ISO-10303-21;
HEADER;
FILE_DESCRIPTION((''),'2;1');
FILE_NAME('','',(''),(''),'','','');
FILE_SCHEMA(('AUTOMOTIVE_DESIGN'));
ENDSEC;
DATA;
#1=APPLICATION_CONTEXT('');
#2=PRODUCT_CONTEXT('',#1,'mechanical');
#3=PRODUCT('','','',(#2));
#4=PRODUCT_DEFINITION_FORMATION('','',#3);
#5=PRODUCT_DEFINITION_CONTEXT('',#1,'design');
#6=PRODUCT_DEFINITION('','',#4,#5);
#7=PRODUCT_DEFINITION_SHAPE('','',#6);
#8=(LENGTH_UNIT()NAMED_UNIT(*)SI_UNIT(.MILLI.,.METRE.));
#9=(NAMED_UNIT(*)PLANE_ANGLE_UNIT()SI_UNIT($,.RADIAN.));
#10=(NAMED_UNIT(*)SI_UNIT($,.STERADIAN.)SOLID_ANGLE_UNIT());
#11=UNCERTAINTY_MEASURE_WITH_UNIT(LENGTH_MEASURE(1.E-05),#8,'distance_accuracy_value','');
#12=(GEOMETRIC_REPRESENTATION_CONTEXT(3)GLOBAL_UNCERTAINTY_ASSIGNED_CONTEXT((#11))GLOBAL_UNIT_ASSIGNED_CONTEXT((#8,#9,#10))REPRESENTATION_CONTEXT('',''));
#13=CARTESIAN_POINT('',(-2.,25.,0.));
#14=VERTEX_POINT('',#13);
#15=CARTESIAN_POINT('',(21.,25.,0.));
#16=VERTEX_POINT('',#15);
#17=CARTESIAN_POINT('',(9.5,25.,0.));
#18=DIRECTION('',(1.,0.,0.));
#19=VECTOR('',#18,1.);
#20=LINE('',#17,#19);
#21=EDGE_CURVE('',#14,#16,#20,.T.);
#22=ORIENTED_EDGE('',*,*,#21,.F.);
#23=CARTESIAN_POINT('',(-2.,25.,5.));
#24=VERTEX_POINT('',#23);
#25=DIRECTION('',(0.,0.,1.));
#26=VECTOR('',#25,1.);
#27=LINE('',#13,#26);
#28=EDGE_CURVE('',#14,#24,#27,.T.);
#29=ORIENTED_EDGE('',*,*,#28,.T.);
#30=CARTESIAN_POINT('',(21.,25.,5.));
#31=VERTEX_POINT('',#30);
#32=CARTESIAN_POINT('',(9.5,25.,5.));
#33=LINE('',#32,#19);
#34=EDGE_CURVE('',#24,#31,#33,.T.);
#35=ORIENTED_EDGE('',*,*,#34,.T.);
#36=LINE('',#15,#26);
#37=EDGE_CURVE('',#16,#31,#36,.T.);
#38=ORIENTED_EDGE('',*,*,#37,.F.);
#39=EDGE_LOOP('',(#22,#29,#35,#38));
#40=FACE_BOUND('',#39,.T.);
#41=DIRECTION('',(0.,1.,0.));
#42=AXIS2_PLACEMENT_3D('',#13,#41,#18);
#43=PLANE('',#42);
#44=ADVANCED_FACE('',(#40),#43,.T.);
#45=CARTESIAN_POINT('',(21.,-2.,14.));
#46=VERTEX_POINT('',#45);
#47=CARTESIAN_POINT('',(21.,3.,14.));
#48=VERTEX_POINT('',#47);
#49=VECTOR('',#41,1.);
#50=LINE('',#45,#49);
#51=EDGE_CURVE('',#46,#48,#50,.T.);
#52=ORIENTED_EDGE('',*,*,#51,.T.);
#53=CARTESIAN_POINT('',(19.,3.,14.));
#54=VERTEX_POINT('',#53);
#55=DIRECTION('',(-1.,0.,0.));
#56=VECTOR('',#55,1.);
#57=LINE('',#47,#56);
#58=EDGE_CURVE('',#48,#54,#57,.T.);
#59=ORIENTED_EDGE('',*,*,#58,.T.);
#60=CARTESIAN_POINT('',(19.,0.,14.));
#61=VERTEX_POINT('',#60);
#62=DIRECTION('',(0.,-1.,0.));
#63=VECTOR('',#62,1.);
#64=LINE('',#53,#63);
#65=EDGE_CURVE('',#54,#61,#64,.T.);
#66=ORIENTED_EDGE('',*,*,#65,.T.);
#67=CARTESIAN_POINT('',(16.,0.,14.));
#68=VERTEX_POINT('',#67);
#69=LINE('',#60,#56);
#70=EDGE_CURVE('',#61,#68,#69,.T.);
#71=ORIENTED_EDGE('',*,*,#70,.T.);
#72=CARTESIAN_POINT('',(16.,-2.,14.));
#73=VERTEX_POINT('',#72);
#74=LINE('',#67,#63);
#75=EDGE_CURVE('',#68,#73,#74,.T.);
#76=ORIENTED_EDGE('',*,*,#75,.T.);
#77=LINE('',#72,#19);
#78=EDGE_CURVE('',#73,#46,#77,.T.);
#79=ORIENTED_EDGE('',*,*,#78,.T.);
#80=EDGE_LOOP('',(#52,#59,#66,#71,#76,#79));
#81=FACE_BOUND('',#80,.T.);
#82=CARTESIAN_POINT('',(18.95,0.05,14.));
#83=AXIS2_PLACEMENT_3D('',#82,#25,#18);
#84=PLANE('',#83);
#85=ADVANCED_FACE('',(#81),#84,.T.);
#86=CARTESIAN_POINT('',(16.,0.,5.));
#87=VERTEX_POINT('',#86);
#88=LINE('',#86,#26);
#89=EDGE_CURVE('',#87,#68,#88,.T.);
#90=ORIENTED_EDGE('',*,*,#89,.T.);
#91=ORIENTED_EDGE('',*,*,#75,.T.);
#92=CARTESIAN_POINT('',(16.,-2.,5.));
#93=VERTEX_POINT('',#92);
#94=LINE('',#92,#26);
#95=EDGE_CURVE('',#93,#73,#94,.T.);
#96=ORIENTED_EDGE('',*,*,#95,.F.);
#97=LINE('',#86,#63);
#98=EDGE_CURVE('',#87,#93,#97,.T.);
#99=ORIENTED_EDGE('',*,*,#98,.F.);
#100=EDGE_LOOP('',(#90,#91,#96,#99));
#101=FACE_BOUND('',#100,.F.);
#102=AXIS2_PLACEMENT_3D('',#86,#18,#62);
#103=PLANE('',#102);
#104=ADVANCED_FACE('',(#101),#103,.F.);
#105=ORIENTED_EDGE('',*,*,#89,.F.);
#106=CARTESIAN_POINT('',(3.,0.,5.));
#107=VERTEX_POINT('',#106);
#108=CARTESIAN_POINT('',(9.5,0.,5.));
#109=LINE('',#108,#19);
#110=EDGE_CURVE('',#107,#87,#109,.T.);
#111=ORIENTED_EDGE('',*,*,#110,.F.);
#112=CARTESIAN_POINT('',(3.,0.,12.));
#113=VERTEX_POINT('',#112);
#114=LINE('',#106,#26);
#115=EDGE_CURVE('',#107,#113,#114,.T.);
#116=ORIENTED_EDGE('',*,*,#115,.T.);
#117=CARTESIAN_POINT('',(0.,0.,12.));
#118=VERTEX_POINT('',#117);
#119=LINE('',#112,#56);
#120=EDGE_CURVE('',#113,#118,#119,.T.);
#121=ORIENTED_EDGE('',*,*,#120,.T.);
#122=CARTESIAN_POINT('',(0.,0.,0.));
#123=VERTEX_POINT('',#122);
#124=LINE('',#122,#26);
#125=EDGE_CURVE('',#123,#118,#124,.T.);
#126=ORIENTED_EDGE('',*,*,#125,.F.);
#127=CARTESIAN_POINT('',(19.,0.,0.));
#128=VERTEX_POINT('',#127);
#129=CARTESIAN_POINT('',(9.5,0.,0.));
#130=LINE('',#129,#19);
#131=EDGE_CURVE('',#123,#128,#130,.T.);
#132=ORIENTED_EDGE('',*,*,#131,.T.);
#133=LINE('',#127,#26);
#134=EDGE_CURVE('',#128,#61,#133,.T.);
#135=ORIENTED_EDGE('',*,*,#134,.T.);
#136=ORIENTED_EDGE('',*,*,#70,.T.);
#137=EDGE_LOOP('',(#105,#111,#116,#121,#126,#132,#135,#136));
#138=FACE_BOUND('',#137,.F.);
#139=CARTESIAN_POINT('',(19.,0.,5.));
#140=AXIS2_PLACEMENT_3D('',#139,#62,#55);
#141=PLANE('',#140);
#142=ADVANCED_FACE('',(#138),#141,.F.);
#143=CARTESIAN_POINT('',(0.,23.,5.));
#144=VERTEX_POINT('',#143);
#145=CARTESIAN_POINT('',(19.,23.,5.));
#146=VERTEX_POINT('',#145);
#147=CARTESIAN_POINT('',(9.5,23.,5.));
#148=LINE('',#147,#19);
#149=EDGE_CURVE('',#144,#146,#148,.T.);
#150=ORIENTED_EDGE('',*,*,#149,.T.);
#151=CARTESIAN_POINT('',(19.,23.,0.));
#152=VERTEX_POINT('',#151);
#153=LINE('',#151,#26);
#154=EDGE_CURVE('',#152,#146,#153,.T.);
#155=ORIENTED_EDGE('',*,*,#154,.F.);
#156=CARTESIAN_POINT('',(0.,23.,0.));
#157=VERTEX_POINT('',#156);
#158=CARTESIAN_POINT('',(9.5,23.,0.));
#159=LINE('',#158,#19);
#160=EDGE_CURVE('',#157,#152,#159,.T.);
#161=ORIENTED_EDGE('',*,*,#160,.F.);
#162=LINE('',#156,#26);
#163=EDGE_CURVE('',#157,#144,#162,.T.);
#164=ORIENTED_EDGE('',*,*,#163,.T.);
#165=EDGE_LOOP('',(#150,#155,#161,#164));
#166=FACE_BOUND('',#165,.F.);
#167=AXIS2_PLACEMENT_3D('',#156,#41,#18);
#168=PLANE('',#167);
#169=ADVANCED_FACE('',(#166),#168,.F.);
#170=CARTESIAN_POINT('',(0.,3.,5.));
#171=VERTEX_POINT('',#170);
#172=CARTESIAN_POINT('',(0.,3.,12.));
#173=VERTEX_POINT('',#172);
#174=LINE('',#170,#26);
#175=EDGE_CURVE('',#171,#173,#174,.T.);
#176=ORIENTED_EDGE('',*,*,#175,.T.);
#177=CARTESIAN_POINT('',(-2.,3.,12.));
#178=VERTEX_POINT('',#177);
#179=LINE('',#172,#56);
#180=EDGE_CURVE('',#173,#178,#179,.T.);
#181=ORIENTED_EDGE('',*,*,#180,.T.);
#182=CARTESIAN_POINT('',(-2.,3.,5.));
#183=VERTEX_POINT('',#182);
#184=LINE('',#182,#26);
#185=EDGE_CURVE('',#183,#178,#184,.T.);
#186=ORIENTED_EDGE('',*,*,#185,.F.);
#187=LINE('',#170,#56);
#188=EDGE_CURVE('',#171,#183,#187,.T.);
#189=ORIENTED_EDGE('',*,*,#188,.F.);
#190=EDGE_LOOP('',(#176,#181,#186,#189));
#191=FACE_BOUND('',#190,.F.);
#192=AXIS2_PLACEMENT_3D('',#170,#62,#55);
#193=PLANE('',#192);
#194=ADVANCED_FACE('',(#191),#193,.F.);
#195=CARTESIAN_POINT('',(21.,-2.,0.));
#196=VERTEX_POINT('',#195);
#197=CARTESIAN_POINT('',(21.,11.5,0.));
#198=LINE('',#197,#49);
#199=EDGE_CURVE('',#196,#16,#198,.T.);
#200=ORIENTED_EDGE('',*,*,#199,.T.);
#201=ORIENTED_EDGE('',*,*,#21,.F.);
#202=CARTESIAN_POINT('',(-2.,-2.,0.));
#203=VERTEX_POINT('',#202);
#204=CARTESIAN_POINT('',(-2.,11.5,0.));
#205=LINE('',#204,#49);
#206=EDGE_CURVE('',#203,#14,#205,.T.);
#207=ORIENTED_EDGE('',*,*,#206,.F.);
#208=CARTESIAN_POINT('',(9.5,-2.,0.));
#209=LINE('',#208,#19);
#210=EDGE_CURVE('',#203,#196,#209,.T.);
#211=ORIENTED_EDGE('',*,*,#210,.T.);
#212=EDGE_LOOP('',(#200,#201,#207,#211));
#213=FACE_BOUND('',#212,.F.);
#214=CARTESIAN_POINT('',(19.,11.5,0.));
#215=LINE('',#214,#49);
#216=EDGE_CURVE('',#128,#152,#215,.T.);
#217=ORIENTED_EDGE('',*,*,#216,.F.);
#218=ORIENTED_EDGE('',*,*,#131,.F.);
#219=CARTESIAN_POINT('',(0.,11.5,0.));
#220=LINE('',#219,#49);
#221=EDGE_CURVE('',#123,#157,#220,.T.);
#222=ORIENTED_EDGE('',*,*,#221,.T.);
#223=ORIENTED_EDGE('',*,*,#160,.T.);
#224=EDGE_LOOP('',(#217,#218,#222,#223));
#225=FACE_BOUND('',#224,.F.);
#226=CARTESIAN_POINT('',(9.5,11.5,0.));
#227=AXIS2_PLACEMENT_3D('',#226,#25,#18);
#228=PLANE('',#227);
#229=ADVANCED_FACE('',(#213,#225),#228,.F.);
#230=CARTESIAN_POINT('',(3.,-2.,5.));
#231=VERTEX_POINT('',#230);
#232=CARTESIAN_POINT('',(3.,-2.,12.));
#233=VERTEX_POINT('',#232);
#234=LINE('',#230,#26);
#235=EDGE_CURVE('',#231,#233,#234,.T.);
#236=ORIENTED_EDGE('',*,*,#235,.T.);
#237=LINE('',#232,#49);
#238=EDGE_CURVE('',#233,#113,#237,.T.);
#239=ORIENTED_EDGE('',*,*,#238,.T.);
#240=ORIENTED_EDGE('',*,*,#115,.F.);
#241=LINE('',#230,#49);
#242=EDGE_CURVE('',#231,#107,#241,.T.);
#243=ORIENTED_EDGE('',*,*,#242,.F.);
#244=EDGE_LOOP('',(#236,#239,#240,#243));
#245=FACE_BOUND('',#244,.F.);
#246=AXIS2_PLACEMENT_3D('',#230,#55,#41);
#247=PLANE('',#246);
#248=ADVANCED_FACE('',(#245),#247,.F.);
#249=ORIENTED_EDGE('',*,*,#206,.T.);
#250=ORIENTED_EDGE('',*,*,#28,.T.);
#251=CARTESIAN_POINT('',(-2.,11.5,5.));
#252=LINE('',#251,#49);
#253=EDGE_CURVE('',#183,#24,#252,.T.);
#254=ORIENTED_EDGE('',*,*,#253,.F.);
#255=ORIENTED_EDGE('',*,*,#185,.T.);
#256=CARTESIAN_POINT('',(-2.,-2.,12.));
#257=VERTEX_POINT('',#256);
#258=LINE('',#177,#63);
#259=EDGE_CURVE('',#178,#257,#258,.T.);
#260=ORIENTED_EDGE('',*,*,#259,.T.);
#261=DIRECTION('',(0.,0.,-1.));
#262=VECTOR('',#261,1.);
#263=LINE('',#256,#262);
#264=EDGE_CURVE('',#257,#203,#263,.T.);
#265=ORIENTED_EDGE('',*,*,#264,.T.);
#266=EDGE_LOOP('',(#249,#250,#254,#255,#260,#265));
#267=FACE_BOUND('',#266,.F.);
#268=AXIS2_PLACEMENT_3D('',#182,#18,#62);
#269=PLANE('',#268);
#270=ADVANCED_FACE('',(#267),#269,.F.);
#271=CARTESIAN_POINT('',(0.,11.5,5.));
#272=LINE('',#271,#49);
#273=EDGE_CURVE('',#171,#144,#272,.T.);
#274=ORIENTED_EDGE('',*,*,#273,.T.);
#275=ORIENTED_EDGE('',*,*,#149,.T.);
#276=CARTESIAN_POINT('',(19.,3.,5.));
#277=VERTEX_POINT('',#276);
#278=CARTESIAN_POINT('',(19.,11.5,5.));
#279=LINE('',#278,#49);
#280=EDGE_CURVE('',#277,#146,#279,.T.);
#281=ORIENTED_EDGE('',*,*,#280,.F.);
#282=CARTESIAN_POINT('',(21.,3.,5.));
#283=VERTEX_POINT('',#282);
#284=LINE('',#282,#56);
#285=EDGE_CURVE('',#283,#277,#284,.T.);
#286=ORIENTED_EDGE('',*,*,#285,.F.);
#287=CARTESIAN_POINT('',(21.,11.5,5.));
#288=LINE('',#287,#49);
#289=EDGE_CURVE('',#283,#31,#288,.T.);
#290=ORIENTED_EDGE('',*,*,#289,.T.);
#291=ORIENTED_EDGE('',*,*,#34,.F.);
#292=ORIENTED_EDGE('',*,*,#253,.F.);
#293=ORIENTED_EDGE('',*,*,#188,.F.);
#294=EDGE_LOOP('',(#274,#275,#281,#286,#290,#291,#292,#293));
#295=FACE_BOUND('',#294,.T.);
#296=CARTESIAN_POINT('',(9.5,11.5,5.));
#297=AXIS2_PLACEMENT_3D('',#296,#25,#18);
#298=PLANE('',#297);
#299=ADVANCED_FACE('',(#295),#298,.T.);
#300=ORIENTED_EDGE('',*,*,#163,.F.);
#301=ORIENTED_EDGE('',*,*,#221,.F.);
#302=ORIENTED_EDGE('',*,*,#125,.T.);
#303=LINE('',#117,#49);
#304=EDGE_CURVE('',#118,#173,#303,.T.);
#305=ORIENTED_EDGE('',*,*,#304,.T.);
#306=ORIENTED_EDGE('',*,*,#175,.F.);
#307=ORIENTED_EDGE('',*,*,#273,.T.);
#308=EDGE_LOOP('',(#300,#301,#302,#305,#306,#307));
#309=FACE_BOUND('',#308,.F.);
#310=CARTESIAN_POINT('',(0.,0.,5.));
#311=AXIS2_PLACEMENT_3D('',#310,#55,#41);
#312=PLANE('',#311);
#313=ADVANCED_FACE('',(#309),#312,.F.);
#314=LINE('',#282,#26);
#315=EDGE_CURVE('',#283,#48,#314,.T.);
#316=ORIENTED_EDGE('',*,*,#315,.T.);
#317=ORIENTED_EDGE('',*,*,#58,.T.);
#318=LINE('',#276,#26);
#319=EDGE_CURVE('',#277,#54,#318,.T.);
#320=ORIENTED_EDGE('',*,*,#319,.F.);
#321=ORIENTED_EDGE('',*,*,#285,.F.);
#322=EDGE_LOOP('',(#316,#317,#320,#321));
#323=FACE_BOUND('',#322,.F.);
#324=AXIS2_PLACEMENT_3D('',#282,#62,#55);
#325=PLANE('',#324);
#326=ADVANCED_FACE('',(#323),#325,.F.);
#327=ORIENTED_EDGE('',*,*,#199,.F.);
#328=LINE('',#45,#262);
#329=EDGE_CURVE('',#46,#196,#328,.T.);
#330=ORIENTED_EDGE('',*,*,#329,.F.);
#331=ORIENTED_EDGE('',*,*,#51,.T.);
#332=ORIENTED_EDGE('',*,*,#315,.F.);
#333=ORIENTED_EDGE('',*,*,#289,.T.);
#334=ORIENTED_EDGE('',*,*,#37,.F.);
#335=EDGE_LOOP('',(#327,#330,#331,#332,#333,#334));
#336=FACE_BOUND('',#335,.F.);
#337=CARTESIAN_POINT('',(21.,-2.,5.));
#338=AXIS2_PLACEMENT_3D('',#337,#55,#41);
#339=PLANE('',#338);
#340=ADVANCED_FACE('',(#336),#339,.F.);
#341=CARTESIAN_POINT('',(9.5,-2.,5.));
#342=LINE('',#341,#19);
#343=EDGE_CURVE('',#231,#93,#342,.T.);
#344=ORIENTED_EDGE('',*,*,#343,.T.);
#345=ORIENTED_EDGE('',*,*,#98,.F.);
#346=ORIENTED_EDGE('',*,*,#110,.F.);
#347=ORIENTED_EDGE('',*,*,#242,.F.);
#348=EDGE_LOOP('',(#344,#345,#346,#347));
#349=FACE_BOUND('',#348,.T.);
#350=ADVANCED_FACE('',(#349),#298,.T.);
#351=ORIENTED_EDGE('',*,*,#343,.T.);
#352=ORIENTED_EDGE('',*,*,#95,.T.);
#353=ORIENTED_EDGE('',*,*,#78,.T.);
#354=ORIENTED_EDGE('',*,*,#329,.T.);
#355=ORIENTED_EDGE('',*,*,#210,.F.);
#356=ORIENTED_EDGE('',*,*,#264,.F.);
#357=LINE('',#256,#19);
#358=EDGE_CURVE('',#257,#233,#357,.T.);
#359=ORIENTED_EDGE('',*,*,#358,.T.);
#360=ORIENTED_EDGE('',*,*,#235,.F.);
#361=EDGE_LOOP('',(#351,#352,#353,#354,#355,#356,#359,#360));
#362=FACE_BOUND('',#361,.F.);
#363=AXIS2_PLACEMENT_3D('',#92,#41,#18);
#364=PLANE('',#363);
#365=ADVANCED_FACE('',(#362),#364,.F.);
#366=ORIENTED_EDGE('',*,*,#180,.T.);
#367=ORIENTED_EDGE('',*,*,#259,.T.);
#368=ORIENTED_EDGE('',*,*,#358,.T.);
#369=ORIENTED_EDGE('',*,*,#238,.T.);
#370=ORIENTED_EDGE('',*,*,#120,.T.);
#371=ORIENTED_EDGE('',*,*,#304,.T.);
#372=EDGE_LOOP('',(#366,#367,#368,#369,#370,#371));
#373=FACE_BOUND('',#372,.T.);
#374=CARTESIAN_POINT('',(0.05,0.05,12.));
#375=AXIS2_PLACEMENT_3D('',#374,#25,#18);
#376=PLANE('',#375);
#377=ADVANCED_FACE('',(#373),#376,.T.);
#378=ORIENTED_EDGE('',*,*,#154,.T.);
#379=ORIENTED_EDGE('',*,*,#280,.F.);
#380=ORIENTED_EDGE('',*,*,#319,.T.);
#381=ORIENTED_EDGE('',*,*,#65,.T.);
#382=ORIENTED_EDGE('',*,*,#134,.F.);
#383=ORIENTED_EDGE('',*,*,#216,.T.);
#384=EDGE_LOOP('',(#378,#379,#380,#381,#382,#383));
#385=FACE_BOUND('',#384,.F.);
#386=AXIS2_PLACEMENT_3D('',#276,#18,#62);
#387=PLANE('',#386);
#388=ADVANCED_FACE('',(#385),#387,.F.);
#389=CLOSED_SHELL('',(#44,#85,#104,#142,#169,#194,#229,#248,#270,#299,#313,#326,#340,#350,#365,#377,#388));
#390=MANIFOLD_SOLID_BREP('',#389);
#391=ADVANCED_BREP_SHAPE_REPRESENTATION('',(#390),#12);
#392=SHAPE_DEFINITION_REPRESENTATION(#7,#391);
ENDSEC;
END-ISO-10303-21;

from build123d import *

# Parameters (mm, degrees)
F0_W     = 23
F0_H     = 27
F0_W_2   = 19
F0_H_2   = 23
F1_DEPTH = 5
F3_DEPTH = 7
F5_DEPTH = 9


with BuildPart() as f1:
    # F0 (on Top) → F1 (new body)
    with BuildSketch(Plane.XY):
        with Locations((9.5, 11.5)):
            Rectangle(F0_W, F0_H)
        with Locations((9.5, 11.5)):
            Rectangle(F0_W_2, F0_H_2, mode=Mode.SUBTRACT)
    extrude(amount=F1_DEPTH)

    # F2 (on face) → F3 (join)
    with BuildSketch(Plane.XY.offset(5)):
        Polygon((3, 0), (0, 0), (0, 3), (-2, 3), (-2, -2), (3, -2), align=None)
    extrude(amount=F3_DEPTH)

    # F4 (on face) → F5 (join)
    with BuildSketch(Plane.XY.offset(5)):
        Polygon((19, 3), (19, 0), (16, 0), (16, -2), (21, -2), (21, 3), align=None)
    extrude(amount=F5_DEPTH)


solid = f1.part
